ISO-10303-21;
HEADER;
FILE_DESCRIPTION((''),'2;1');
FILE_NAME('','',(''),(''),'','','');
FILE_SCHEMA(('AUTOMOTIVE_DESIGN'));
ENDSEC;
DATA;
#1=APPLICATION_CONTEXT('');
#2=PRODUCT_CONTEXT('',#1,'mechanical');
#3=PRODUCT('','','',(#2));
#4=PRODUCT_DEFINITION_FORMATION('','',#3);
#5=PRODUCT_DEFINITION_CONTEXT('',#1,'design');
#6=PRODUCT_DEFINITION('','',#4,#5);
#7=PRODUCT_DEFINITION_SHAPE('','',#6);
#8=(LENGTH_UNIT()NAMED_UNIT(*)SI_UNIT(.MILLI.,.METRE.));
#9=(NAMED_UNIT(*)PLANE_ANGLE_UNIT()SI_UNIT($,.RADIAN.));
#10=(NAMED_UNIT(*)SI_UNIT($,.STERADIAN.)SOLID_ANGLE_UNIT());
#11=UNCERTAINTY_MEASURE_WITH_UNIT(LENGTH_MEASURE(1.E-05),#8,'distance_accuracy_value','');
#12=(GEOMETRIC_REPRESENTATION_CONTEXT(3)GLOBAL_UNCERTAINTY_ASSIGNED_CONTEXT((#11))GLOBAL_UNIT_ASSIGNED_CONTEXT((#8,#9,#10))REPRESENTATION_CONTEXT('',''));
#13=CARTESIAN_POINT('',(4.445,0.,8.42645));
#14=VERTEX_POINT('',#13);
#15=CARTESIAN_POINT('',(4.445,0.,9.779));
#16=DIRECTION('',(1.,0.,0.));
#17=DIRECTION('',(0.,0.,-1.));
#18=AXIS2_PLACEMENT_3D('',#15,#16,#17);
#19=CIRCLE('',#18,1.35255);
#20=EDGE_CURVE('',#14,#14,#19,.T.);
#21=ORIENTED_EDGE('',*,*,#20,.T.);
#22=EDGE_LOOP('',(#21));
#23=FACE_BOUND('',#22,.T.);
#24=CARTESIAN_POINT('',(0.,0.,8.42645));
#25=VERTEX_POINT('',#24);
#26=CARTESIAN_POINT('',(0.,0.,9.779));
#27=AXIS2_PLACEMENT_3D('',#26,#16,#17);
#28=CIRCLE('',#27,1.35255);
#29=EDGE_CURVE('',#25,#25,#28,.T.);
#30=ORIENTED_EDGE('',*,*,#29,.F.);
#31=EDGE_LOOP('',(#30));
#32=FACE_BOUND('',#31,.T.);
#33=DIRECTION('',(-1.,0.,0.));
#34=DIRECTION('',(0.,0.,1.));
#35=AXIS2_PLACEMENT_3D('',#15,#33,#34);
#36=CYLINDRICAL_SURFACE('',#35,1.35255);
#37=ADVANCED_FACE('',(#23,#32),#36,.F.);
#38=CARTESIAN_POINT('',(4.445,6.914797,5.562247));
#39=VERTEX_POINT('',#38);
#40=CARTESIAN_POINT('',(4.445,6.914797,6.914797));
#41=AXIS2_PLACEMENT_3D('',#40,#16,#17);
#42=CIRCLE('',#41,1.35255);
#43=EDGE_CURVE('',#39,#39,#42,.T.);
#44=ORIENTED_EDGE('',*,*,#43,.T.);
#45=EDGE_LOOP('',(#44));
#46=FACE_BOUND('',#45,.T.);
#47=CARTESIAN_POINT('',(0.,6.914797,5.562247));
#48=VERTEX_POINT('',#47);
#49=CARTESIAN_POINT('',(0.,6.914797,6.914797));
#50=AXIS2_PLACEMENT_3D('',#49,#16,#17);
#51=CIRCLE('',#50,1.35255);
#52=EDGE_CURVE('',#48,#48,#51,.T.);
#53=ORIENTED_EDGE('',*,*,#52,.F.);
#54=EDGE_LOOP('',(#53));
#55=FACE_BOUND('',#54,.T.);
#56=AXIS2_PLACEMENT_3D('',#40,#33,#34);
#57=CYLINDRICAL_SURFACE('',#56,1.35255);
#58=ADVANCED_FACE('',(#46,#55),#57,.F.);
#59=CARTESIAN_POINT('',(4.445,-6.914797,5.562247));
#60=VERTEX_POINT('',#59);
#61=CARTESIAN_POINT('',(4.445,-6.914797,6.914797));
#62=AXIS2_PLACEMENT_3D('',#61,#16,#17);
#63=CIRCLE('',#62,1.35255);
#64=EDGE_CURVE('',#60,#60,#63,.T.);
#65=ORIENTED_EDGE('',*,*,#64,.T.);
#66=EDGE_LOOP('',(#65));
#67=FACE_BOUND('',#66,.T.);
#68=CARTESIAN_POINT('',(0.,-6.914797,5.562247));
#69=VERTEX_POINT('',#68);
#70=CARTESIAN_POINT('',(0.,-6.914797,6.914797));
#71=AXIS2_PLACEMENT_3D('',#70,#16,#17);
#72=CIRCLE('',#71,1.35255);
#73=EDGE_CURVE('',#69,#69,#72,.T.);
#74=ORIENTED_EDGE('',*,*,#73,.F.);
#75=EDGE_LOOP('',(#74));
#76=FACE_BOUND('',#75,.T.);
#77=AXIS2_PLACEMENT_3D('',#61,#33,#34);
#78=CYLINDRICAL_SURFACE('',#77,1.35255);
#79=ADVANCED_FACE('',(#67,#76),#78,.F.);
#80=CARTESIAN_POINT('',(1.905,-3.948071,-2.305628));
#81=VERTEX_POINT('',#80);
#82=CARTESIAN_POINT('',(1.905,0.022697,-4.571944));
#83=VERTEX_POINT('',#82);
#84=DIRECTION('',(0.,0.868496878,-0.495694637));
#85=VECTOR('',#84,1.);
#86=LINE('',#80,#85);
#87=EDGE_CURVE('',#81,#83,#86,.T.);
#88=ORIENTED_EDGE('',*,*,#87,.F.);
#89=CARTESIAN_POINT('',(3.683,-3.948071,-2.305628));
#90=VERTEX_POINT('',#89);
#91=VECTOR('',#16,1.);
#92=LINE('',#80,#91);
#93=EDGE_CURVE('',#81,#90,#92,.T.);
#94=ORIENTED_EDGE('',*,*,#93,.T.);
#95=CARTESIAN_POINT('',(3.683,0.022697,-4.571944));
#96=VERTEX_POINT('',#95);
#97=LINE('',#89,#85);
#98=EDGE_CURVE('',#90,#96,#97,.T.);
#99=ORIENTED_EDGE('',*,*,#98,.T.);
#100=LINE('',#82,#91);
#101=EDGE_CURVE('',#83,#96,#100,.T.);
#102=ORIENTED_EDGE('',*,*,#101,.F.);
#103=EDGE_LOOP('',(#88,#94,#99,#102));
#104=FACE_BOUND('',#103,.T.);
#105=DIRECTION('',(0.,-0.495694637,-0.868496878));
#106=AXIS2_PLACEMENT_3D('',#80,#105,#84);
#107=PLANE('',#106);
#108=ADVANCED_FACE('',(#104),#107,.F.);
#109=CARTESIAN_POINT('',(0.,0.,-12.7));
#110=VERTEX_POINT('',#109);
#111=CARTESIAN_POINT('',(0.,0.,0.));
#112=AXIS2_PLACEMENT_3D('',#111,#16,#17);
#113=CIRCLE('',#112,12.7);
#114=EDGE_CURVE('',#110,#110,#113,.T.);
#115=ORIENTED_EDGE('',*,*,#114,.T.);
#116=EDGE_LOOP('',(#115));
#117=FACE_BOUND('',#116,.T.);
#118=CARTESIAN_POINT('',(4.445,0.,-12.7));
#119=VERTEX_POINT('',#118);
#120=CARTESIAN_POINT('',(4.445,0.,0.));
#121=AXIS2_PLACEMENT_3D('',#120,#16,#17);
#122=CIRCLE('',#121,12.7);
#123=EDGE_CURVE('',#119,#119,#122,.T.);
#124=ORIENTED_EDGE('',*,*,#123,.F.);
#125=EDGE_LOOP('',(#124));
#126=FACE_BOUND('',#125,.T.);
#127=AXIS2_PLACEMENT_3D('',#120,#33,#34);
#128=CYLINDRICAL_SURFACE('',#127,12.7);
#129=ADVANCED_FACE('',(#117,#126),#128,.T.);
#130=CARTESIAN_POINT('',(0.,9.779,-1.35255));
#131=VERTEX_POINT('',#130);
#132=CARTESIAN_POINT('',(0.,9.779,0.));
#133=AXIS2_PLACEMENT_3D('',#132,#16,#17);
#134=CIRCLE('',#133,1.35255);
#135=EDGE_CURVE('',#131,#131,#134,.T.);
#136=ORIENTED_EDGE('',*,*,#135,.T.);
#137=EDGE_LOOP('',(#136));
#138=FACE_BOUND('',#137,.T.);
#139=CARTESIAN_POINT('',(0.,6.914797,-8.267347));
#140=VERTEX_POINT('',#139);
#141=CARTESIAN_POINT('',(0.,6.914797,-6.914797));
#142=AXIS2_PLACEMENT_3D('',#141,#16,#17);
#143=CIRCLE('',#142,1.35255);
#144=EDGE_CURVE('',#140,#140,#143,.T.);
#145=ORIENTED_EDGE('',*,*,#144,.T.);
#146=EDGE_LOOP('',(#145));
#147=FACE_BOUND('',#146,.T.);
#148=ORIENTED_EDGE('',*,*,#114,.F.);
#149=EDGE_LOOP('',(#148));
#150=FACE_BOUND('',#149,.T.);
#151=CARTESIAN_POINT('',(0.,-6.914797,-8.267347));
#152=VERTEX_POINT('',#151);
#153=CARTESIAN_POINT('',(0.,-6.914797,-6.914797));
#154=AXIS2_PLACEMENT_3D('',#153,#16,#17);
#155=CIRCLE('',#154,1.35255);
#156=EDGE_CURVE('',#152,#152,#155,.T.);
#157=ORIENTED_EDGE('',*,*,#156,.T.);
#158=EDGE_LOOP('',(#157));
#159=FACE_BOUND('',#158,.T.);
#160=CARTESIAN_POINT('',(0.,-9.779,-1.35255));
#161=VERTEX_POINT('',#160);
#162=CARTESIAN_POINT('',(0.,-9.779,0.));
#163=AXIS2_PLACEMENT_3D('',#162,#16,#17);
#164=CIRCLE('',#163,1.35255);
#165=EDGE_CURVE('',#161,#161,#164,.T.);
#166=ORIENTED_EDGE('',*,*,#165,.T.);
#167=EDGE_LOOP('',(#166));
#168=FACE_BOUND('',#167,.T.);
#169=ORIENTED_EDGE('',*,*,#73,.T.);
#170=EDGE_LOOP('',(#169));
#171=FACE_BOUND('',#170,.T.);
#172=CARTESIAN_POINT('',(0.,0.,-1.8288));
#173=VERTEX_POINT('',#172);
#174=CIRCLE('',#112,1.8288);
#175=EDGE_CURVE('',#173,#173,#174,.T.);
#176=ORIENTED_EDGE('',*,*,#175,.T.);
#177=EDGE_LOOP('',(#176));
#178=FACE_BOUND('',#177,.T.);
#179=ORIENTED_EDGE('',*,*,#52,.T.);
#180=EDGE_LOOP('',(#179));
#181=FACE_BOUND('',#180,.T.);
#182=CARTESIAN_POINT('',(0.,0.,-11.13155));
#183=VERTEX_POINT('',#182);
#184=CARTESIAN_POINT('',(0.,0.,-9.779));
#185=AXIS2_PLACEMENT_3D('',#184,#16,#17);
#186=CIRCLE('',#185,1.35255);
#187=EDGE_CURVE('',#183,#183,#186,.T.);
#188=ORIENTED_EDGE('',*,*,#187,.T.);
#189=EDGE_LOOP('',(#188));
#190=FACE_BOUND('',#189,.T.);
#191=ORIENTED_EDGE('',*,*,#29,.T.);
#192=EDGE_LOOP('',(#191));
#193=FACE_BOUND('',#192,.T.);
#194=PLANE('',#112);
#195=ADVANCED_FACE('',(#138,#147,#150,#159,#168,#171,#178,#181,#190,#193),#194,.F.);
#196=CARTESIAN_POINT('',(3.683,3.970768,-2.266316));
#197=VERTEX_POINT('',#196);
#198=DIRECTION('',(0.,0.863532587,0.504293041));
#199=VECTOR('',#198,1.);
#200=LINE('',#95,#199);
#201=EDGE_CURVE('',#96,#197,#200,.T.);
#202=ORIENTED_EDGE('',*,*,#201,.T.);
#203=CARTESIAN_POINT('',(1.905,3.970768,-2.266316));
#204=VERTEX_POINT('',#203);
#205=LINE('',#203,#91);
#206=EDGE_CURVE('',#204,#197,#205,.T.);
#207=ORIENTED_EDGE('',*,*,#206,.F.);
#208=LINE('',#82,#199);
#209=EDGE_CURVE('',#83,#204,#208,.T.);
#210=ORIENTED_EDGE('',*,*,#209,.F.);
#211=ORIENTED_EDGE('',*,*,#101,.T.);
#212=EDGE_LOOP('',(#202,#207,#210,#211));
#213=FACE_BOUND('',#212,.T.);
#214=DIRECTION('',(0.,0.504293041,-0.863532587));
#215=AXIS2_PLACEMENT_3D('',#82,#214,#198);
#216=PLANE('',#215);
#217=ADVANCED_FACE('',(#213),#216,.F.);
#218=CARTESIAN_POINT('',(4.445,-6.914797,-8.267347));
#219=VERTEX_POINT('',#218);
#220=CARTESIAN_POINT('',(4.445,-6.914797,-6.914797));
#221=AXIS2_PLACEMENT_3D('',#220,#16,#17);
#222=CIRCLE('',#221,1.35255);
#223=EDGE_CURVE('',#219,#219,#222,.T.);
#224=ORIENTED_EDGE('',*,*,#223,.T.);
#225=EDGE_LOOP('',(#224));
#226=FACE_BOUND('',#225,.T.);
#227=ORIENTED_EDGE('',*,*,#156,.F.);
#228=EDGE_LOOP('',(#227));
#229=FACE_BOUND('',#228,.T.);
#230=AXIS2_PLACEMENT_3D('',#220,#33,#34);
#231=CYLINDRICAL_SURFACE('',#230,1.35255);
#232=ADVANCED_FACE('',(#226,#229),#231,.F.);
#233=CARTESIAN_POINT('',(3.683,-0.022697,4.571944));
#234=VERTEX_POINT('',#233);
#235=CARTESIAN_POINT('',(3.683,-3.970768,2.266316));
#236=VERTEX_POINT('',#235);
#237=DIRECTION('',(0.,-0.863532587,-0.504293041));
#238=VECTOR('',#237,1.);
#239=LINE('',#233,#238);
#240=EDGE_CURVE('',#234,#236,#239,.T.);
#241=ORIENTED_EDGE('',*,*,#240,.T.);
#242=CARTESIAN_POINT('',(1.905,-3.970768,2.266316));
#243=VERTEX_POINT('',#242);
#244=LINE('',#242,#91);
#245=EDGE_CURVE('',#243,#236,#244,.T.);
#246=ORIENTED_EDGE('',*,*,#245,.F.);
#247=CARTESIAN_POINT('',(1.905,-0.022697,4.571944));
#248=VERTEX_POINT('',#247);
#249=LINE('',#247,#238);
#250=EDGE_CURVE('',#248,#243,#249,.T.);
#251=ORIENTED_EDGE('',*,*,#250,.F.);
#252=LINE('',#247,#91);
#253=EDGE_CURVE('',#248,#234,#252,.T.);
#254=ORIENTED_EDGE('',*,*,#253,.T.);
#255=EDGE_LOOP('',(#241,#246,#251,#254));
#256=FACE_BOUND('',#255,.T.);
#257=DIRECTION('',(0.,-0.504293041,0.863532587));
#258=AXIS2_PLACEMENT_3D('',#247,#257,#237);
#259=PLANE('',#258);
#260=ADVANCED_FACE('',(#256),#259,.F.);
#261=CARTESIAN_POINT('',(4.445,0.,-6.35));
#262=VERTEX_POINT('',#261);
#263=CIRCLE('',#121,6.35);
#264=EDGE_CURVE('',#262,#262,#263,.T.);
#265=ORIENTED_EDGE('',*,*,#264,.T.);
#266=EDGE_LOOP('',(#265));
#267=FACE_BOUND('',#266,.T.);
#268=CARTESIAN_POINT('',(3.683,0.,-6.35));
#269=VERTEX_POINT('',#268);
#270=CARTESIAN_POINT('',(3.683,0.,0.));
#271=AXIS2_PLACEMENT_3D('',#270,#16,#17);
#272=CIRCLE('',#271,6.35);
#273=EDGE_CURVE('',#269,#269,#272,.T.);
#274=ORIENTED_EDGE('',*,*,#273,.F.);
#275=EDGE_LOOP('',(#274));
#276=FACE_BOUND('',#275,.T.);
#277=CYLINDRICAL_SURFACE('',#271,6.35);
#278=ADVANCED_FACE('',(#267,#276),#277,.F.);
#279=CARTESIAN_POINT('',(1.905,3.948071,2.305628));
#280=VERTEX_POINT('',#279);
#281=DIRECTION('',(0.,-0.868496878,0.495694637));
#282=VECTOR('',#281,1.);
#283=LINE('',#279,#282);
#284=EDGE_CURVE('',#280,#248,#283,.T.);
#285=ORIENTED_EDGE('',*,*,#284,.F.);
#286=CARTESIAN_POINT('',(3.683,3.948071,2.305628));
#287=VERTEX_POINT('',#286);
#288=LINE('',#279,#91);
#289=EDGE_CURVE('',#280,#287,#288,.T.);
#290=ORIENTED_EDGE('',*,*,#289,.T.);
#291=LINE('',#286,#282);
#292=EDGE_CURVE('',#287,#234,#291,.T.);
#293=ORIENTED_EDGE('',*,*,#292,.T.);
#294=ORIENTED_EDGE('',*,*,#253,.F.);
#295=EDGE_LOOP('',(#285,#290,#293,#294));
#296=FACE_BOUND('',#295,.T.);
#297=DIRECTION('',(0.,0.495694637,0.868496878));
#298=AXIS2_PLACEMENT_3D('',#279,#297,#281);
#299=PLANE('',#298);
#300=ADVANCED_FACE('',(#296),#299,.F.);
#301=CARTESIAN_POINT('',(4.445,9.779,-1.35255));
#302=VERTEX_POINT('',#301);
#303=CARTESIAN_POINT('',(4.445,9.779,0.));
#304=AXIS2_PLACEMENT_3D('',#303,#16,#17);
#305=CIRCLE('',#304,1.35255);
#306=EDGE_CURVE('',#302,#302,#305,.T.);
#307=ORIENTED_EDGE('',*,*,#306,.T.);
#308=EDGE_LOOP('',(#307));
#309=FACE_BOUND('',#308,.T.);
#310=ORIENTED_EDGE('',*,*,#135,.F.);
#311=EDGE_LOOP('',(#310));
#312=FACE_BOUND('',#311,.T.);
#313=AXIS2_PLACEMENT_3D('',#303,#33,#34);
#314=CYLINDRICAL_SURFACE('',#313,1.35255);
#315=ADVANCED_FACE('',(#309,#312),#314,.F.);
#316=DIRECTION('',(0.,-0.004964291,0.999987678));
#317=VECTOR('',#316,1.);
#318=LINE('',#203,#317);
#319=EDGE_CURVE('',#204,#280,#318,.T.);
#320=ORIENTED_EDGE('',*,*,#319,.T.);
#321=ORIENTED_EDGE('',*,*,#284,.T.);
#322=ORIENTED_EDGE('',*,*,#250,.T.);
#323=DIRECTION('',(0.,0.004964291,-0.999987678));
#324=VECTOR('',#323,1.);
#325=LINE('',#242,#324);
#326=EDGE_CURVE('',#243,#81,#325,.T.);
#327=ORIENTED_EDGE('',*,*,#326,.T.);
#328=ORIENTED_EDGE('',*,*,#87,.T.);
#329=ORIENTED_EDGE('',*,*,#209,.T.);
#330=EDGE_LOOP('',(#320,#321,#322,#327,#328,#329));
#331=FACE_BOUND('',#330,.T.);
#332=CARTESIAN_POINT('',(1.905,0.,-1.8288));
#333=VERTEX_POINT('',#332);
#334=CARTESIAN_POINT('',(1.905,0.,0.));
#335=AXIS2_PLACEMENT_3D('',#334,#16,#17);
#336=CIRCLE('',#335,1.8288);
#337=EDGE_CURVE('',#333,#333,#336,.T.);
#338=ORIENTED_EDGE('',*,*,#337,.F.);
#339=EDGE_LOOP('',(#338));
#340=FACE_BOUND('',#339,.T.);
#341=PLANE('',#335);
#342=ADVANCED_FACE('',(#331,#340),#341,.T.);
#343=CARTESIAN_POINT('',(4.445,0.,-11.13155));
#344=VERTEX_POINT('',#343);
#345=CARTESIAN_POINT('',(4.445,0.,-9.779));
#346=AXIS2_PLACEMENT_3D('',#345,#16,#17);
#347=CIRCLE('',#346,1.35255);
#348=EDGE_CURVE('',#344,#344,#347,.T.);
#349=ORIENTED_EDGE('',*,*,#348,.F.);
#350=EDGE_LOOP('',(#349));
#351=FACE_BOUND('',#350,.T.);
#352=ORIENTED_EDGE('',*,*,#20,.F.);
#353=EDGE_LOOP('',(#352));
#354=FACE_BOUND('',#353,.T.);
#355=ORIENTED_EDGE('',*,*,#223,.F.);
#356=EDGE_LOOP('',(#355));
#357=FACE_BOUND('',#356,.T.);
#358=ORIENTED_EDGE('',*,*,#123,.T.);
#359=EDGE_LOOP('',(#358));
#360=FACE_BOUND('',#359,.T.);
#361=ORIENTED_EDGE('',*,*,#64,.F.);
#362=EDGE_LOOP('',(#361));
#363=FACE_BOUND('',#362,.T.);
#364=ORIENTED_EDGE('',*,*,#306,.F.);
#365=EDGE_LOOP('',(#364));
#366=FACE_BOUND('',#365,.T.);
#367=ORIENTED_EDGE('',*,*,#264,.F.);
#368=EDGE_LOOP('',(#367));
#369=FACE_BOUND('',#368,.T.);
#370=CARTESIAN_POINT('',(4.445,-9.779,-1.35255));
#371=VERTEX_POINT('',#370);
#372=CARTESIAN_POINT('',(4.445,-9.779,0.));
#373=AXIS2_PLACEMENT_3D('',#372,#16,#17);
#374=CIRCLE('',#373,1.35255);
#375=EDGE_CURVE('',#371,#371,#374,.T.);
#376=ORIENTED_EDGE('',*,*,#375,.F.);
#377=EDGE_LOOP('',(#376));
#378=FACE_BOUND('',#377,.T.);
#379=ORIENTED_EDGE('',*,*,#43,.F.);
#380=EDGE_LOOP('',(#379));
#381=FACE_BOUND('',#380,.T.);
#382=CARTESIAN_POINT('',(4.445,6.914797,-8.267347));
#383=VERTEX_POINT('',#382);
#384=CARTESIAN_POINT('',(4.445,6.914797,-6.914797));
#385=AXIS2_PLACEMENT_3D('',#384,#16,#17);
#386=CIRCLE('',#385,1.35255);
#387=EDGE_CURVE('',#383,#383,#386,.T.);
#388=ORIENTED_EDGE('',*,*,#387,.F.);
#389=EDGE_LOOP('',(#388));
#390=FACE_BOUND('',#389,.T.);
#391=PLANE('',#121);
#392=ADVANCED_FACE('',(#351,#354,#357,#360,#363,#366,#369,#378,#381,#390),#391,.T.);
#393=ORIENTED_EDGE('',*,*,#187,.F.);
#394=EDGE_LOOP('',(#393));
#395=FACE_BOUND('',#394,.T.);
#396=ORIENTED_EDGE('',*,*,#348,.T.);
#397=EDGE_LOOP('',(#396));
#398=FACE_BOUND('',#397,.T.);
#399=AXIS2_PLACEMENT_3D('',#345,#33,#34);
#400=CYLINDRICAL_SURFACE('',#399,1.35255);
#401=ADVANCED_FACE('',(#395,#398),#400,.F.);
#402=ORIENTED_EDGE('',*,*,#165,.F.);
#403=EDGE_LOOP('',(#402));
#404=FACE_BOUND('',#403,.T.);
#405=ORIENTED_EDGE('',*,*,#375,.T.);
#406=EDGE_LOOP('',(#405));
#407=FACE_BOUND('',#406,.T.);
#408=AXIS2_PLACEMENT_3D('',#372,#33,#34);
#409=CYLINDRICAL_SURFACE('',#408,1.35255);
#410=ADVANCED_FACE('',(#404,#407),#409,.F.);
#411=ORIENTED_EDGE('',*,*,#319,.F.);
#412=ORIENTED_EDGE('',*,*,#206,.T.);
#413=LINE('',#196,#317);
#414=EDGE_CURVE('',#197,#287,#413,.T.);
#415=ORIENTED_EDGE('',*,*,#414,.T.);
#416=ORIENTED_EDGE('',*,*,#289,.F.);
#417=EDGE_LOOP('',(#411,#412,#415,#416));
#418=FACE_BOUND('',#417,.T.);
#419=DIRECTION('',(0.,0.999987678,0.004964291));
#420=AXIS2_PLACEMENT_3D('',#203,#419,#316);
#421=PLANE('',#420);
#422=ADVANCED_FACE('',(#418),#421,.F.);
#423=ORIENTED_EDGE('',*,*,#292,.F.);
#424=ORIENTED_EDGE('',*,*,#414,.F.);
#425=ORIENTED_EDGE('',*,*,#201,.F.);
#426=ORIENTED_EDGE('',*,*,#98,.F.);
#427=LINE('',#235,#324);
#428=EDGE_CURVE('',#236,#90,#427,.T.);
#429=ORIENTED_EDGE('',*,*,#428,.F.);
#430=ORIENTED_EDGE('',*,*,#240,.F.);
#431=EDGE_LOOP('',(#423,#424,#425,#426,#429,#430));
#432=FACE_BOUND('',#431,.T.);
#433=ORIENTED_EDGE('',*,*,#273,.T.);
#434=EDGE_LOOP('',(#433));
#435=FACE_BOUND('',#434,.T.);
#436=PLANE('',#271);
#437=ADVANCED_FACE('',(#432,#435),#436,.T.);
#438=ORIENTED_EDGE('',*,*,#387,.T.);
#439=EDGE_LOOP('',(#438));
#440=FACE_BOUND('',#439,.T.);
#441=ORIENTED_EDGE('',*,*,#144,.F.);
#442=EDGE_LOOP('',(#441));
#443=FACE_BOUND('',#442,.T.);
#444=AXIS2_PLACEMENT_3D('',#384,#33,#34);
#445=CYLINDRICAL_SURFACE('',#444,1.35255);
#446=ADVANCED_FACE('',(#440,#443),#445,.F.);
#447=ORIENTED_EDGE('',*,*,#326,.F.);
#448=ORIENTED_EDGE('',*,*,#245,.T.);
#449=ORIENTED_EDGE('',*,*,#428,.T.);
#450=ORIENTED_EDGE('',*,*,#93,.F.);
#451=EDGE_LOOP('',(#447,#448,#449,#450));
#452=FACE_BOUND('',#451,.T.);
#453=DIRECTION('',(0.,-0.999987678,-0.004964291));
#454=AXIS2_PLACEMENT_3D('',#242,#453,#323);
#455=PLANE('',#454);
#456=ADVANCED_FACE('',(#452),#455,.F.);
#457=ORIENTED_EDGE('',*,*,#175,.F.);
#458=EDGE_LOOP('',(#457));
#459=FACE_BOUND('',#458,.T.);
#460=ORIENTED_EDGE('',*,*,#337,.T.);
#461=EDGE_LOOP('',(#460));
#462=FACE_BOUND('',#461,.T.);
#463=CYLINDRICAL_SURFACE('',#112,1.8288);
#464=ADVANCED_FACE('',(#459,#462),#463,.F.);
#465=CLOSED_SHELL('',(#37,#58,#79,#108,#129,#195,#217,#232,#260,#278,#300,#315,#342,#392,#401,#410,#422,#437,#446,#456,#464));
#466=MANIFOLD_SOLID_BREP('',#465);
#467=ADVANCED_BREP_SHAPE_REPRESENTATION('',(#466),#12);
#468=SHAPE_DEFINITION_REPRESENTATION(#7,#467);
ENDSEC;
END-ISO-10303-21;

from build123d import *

# Parameters (mm, degrees)
SKETCH1_R           = 12.7
SKETCH1_R_2         = 1.35255
BOSS_EXTRUDE1_DEPTH = 4.445
SKETCH2_R           = 6.35
CUT_EXTRUDE1_DEPTH  = 0.762
CUT_EXTRUDE4_DEPTH  = 1.778
SKETCH6_R           = 1.8288
CUT_EXTRUDE5_DEPTH  = 2.905


with BuildPart() as part:
    # Sketch1 → Boss-Extrude1 (new body)
    with BuildSketch(Plane(origin=(0, 0, 0), x_dir=(0, 0, -1), z_dir=(1, 0, 0))):
        Circle(SKETCH1_R)
        with Locations((0, 9.779)):
            Circle(SKETCH1_R_2, mode=Mode.SUBTRACT)
        with Locations((6.914797213, 6.914797213)):
            Circle(SKETCH1_R_2, mode=Mode.SUBTRACT)
        with Locations((9.779, 0)):
            Circle(SKETCH1_R_2, mode=Mode.SUBTRACT)
        with Locations((6.914797213, -6.914797213)):
            Circle(SKETCH1_R_2, mode=Mode.SUBTRACT)
        with Locations((0, -9.779)):
            Circle(SKETCH1_R_2, mode=Mode.SUBTRACT)
        with Locations((-6.914797213, -6.914797213)):
            Circle(SKETCH1_R_2, mode=Mode.SUBTRACT)
        with Locations((-9.779, 0)):
            Circle(SKETCH1_R_2, mode=Mode.SUBTRACT)
        with Locations((-6.914797213, 6.914797213)):
            Circle(SKETCH1_R_2, mode=Mode.SUBTRACT)
    extrude(amount=BOSS_EXTRUDE1_DEPTH)

    # Sketch2 → Cut-Extrude1 (cut)
    with BuildSketch(Plane(origin=(4.445, 0, 0), x_dir=(0, 0, -1), z_dir=(1, 0, 0))):
        Circle(SKETCH2_R)
    extrude(amount=-CUT_EXTRUDE1_DEPTH, mode=Mode.SUBTRACT)

    # Sketch5 → Cut-Extrude4 (cut)
    with BuildSketch(Plane(origin=(3.683, 0, 0), x_dir=(0, 0, -1), z_dir=(1, 0, 0))):
        Polygon((-2.305627782, 3.948070989), (-4.571943663, -0.022696736), (-2.266315881, -3.970767725), (2.305627782, -3.948070989), (4.571943663, 0.022696736), (2.266315881, 3.970767725), align=None)
    extrude(amount=-CUT_EXTRUDE4_DEPTH, mode=Mode.SUBTRACT)

    # Sketch6 → Cut-Extrude5 (cut, through all)
    with BuildSketch(Plane(origin=(1.905, 0, 0), x_dir=(0, 0, -1), z_dir=(1, 0, 0))):
        Circle(SKETCH6_R)
    extrude(amount=-CUT_EXTRUDE5_DEPTH, mode=Mode.SUBTRACT)


solid = part.part
